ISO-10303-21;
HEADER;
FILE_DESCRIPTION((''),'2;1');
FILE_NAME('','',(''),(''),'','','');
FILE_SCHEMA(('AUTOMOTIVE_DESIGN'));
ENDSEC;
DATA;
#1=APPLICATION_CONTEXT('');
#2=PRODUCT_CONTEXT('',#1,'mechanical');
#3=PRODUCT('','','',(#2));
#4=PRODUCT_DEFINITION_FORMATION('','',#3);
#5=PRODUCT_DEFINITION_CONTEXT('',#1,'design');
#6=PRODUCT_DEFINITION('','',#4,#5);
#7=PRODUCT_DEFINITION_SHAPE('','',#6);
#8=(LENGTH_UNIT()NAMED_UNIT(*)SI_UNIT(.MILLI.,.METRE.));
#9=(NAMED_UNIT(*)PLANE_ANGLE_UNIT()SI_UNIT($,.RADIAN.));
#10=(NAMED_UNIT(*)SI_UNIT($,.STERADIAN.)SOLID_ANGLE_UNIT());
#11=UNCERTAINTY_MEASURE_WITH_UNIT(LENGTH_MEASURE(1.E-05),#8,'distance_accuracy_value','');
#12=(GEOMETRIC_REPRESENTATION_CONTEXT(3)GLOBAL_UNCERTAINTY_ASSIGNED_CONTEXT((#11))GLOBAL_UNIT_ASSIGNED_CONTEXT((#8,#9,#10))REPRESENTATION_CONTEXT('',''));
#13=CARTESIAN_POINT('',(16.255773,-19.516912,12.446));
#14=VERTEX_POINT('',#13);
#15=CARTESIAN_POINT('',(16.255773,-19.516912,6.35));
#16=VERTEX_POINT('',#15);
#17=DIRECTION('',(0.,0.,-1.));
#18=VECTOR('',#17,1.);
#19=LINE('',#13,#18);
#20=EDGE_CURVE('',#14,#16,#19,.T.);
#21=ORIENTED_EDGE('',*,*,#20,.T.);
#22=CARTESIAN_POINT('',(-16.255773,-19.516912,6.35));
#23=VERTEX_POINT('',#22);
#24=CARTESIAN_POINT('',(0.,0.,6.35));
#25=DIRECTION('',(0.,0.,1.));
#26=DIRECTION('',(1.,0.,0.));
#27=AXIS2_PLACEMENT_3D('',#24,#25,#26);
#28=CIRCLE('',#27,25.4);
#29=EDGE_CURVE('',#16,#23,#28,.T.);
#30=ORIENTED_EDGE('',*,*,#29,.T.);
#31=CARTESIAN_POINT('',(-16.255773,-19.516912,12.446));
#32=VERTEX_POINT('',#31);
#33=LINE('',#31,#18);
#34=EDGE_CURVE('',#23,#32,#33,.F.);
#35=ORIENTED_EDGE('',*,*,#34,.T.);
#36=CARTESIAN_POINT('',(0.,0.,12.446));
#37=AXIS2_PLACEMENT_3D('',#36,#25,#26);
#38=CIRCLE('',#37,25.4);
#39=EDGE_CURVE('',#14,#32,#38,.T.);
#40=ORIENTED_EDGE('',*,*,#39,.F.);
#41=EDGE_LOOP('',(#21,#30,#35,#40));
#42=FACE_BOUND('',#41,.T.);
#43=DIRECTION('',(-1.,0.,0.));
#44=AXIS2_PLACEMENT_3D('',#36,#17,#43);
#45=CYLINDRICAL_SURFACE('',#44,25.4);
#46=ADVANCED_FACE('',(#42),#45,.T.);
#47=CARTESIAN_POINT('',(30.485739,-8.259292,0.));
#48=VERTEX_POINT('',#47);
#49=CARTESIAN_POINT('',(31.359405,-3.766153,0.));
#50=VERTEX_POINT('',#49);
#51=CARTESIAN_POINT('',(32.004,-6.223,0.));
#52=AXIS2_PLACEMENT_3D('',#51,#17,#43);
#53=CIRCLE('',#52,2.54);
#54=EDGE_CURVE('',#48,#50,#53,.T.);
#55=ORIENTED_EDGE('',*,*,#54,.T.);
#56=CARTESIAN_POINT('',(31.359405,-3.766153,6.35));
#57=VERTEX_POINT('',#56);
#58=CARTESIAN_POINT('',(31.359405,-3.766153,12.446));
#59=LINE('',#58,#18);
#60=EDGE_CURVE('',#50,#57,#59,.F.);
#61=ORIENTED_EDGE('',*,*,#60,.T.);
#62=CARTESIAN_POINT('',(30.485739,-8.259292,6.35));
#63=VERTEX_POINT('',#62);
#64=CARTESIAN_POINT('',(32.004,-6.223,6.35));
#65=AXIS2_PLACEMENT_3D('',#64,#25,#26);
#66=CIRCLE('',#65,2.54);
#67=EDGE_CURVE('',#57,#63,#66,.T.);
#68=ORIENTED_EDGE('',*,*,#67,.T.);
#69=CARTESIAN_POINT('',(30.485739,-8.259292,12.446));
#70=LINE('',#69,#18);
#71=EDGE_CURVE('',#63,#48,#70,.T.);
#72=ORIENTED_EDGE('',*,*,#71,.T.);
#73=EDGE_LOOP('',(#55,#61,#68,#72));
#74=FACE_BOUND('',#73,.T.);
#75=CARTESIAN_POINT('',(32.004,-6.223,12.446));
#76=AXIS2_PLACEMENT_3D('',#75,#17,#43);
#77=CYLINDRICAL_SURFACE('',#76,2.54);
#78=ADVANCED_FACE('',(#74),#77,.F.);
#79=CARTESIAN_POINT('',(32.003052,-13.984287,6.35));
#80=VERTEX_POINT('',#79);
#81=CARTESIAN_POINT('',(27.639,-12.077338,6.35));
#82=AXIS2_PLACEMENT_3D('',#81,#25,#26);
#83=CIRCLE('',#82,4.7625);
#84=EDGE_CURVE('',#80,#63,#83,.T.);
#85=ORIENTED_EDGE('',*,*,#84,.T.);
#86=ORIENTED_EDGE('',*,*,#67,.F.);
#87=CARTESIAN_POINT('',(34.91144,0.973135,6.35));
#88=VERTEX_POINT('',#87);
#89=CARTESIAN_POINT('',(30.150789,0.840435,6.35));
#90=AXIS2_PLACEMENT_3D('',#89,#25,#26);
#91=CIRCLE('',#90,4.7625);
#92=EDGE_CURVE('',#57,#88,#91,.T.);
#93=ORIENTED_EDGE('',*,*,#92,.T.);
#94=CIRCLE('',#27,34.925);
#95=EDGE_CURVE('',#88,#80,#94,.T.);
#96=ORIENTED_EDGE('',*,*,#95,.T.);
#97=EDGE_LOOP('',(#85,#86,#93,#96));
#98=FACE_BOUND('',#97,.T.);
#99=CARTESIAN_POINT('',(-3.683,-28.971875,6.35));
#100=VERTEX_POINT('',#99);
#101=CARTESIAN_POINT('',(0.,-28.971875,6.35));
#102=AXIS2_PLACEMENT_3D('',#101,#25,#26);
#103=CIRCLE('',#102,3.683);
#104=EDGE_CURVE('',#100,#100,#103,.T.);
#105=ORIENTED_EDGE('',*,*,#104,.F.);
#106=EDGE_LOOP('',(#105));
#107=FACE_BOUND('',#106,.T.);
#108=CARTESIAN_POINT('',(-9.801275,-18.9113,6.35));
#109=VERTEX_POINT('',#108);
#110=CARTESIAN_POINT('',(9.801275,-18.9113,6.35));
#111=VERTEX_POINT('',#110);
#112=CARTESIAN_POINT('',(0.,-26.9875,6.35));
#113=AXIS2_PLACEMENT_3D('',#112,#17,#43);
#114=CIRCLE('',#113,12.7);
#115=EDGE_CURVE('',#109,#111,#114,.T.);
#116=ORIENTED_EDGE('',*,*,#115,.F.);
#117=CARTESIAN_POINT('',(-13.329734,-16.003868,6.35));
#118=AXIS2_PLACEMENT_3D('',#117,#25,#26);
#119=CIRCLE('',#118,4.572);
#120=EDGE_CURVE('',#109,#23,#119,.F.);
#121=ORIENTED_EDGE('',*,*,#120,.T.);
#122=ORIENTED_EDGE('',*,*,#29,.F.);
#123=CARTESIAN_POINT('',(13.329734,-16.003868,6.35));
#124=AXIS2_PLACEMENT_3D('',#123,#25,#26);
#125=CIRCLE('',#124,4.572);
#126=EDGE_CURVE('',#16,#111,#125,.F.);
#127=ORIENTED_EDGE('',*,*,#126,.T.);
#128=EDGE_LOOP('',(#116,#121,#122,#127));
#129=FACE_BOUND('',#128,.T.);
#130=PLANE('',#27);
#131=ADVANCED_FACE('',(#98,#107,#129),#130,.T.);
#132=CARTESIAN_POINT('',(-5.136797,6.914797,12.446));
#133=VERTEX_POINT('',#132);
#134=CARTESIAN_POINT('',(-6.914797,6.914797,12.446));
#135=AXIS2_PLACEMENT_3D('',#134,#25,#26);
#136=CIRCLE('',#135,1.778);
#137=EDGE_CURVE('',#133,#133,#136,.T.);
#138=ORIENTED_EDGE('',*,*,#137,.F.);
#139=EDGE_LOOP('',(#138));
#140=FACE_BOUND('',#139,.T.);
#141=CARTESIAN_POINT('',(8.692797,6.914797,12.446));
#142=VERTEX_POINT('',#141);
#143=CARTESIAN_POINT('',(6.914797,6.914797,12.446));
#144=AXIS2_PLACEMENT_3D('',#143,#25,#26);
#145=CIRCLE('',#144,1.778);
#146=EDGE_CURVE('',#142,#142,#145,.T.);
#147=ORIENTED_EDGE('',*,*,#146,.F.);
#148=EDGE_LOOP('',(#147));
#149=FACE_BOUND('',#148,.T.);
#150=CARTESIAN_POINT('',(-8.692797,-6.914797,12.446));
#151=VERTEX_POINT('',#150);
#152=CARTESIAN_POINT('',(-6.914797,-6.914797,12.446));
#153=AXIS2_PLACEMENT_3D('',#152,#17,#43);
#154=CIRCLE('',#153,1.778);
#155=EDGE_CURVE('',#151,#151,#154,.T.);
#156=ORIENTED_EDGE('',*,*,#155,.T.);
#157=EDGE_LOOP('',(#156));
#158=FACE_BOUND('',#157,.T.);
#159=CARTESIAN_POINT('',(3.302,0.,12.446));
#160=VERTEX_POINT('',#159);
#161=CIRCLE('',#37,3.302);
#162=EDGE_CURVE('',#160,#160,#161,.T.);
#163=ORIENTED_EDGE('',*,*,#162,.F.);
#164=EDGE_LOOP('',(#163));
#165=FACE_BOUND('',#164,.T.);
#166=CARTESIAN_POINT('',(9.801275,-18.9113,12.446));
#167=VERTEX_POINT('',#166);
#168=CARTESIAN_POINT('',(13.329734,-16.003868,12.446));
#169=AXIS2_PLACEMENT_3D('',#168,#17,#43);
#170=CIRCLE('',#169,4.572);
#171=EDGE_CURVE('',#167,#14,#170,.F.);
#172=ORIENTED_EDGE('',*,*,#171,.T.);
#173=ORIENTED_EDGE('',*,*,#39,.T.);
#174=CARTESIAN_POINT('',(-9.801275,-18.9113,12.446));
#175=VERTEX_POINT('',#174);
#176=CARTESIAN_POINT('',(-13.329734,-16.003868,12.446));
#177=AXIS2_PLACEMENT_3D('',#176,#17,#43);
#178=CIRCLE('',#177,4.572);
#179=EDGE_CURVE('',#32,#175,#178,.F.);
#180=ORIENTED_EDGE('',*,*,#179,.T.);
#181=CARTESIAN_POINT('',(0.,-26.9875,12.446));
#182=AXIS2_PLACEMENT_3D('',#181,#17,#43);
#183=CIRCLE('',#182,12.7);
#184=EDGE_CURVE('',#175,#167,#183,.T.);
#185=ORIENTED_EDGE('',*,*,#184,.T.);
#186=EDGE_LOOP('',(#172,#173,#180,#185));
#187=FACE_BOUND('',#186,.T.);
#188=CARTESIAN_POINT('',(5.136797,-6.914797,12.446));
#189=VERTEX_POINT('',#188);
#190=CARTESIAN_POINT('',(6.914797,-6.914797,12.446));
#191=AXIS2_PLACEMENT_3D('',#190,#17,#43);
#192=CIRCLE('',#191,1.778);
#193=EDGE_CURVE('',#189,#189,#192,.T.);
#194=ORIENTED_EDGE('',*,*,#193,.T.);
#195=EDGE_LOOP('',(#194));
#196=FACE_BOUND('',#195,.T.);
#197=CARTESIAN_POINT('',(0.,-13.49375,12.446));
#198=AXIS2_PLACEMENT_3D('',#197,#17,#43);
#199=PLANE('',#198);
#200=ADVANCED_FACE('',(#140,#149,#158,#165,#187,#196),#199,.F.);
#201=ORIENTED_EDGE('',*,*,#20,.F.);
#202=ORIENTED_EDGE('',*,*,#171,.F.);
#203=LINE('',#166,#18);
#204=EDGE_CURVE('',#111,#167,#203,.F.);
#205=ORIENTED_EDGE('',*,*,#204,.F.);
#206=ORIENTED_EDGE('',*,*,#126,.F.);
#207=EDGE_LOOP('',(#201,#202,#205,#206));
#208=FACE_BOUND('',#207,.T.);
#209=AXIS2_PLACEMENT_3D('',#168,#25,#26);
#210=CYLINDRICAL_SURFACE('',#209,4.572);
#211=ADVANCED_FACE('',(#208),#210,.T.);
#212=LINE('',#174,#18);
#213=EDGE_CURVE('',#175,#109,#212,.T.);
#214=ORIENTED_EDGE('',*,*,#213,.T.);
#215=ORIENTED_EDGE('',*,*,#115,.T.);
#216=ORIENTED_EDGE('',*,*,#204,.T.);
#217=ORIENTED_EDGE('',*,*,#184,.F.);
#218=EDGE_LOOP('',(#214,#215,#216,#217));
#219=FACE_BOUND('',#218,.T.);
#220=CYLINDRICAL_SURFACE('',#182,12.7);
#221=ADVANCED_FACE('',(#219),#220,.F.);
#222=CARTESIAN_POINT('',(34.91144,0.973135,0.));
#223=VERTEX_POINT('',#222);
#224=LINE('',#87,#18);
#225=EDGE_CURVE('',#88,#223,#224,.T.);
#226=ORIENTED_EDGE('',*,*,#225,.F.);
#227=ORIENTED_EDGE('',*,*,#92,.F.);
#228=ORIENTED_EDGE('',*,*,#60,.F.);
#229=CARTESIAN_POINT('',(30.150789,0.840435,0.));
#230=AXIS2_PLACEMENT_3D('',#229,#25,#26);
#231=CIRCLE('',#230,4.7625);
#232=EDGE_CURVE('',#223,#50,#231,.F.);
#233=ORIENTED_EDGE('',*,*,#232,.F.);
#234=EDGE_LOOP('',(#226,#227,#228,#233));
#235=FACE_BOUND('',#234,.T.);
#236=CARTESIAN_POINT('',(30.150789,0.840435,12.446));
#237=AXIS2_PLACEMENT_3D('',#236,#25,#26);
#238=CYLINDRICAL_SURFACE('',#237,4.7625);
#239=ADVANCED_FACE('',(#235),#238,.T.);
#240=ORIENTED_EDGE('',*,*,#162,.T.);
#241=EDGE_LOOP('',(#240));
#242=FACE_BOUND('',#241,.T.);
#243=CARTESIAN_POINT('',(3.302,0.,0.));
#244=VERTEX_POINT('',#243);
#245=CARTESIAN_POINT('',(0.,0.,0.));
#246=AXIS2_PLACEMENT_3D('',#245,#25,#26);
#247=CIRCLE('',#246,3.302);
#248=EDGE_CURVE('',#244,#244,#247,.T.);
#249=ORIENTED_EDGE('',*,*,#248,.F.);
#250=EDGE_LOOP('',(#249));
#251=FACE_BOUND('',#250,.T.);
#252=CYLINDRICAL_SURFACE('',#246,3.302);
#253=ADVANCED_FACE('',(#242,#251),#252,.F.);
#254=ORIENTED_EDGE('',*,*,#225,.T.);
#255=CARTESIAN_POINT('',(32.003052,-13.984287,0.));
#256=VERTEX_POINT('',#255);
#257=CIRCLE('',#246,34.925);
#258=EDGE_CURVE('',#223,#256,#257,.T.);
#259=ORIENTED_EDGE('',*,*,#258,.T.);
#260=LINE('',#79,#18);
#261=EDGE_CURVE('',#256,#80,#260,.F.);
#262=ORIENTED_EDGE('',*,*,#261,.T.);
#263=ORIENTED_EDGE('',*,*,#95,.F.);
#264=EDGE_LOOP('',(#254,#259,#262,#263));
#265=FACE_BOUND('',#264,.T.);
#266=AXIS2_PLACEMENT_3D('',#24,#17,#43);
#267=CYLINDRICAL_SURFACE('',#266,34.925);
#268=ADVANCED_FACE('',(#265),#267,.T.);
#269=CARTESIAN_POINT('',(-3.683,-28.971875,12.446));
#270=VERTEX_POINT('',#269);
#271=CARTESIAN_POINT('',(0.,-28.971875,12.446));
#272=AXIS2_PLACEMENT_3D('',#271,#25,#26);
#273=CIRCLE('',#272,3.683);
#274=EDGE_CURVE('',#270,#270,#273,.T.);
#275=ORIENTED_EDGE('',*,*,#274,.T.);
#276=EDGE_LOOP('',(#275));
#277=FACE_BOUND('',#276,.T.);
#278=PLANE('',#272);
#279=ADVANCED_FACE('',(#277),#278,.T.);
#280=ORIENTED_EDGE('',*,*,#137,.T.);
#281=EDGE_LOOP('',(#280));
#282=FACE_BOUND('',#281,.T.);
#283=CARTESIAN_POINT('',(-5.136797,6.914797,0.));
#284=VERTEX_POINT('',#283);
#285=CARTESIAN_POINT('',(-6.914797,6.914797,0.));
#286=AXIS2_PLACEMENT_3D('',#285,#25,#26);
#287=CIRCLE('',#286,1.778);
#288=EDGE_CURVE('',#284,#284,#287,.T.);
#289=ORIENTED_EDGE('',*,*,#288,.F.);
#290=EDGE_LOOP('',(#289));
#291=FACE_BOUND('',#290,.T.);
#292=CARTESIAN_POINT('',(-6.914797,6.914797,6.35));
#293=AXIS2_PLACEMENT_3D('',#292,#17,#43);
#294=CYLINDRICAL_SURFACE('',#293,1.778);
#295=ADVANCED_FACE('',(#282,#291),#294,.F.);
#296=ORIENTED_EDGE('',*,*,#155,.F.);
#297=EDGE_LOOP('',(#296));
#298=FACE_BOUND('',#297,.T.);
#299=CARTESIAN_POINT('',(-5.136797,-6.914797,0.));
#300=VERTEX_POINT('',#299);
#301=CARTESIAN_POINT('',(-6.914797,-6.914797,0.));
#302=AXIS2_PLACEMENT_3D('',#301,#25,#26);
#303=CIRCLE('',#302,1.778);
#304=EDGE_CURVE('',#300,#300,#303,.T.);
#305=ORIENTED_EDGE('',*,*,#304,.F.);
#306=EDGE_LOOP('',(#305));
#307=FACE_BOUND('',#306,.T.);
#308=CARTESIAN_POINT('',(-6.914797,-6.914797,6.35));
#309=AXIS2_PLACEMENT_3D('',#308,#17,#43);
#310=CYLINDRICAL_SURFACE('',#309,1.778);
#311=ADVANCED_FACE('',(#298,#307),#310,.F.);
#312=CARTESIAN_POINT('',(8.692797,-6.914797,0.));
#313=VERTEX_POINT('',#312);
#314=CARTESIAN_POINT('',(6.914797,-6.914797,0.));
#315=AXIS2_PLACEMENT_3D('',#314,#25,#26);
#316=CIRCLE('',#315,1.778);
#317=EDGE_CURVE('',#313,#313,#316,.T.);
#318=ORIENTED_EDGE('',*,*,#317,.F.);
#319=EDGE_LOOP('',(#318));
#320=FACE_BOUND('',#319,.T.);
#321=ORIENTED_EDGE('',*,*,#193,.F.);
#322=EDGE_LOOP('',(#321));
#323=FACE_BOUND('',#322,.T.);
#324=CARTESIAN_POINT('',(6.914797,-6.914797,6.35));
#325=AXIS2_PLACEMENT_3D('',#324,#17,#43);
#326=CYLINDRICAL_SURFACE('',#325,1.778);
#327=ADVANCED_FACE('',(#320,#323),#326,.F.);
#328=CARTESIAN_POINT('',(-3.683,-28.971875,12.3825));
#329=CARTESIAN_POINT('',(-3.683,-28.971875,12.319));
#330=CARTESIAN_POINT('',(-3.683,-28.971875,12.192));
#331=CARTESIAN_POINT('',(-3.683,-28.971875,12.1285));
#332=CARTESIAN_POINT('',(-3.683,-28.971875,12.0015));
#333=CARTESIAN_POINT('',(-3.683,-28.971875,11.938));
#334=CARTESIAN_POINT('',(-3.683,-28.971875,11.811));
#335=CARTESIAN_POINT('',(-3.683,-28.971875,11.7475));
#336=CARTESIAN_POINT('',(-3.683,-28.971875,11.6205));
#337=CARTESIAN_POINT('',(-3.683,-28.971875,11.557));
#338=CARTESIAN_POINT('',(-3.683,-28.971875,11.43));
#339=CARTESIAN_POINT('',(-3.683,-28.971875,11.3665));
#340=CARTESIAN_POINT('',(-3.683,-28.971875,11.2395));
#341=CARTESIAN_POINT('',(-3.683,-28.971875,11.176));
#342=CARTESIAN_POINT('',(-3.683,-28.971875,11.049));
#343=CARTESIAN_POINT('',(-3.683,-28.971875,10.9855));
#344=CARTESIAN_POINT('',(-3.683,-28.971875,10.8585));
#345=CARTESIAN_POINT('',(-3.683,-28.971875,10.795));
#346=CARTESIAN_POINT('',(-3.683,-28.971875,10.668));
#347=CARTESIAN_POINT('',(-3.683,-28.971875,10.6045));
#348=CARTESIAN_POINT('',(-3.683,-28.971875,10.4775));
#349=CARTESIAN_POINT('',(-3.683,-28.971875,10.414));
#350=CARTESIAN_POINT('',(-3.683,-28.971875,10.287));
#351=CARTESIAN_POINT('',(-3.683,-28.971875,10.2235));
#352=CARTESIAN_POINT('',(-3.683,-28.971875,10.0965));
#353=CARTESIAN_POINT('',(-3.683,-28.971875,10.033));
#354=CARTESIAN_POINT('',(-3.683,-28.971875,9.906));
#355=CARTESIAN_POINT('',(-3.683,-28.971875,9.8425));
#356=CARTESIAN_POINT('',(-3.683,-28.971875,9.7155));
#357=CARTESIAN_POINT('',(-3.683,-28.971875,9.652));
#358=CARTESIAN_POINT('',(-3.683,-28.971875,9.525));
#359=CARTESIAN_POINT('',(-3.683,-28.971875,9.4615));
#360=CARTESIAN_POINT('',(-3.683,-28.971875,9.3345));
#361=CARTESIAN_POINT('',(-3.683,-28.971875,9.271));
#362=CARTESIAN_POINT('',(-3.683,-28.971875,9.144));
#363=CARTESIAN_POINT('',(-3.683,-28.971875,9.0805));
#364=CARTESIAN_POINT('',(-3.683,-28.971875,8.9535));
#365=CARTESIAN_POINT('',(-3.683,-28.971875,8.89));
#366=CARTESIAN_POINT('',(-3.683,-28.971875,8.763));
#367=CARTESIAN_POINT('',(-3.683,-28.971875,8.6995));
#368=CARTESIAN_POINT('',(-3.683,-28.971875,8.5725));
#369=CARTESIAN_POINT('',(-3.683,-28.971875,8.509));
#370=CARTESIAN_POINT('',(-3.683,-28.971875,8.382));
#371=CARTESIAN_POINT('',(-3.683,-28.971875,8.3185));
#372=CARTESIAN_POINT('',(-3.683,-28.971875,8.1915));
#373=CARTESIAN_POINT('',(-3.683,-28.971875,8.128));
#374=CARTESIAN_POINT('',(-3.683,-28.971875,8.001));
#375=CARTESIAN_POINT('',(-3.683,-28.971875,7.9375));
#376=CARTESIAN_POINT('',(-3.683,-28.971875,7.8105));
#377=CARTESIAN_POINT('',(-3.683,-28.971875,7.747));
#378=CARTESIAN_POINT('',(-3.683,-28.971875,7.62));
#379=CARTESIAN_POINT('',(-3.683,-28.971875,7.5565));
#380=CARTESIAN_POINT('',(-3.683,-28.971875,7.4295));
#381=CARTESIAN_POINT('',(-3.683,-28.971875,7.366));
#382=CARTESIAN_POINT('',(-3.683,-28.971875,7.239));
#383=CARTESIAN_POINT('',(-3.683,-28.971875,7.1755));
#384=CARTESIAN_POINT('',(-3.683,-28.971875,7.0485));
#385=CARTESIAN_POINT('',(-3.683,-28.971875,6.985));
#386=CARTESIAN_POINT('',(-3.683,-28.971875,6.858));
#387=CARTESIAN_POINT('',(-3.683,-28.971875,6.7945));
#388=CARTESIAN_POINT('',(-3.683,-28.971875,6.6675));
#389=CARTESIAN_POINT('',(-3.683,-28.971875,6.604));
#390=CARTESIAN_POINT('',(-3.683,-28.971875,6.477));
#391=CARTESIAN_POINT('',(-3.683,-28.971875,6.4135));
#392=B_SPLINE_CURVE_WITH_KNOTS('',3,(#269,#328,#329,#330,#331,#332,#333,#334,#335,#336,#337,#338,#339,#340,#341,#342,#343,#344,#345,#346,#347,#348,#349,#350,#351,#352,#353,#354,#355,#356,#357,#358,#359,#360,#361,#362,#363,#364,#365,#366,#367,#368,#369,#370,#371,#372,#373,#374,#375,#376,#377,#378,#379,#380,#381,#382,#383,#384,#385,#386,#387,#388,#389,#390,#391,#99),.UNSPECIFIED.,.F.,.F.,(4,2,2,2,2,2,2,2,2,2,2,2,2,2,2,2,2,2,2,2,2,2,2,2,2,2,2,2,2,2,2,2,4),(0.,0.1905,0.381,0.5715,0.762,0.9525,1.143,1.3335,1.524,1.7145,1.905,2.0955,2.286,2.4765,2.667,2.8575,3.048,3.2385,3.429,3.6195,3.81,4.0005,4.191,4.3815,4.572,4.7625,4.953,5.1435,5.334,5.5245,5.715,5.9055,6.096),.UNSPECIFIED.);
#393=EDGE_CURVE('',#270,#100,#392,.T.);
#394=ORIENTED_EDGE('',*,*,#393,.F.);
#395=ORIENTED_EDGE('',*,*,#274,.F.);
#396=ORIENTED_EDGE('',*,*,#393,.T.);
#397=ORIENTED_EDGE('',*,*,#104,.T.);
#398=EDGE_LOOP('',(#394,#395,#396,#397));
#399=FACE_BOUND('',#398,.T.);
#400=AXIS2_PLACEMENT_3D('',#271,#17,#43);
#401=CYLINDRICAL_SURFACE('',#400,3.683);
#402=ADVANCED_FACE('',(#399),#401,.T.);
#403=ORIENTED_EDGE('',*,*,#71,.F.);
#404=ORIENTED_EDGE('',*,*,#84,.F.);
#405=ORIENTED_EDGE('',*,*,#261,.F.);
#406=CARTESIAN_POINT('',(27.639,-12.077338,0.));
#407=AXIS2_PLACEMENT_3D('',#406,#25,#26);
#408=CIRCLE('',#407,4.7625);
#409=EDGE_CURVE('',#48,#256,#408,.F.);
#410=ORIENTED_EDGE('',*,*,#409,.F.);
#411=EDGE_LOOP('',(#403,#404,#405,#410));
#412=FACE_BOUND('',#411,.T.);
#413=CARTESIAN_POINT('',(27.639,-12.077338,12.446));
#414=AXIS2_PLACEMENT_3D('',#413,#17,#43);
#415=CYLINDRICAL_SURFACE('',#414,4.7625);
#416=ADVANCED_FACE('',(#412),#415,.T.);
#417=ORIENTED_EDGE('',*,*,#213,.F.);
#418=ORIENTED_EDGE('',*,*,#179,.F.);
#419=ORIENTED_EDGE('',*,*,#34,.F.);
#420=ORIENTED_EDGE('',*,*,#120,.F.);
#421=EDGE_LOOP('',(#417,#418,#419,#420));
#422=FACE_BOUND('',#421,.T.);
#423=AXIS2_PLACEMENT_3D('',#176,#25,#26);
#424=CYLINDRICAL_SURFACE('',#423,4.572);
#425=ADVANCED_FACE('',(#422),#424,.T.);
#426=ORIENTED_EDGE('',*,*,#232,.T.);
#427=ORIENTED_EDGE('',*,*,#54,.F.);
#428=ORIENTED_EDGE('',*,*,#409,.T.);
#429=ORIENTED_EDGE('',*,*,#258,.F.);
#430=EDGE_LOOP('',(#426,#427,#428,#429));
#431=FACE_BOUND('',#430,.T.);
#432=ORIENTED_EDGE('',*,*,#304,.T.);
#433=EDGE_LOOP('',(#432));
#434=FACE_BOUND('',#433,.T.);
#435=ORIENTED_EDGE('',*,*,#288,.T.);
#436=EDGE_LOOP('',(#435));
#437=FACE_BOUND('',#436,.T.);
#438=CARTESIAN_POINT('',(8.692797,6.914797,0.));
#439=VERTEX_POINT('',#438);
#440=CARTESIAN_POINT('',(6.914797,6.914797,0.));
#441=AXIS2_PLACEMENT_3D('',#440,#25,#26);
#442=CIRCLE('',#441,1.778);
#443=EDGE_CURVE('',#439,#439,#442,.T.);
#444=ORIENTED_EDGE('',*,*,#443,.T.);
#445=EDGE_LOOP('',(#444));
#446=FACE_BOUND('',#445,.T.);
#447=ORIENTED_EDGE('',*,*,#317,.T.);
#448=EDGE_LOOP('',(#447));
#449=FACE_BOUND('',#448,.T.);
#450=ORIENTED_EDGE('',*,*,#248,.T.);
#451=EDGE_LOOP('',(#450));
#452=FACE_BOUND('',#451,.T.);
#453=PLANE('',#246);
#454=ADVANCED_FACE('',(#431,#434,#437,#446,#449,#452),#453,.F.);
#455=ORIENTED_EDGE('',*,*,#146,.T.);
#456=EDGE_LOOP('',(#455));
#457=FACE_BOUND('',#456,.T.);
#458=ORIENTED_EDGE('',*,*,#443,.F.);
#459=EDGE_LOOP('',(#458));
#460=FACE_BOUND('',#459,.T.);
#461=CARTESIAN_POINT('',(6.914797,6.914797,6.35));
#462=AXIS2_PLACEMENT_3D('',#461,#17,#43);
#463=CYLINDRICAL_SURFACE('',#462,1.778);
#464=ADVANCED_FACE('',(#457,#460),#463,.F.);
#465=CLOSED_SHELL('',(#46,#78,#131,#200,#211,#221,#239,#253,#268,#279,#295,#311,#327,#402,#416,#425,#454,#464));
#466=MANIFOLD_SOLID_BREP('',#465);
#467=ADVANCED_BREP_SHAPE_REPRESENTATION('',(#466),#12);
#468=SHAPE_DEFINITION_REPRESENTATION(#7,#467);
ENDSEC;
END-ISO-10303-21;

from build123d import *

# Parameters (mm, degrees)
SKETCH1_R           = 34.925
SKETCH1_R_2         = 1.778
BOSS_EXTRUDE1_DEPTH = 6.35
SKETCH2_R           = 3.683
SKETCH2_R_2         = 1.778
BOSS_EXTRUDE2_DEPTH = 6.096
SKETCH3_R           = 3.302
CUT_EXTRUDE1_DEPTH  = 51.935392077
FILLET1_R           = 4.572
SKETCH4_R           = 1.778
CUT_EXTRUDE2_DEPTH  = 51.935392238
SKETCH5_R           = 2.54
CUT_EXTRUDE3_DEPTH  = 51.935392238
FILLET2_R           = 4.7625


with BuildPart() as part:
    # Sketch1 → Boss-Extrude1 (new body)
    with BuildSketch(Plane.XY):
        Circle(SKETCH1_R)
        with Locations((-6.914797213, 6.914797213)):
            Circle(SKETCH1_R_2, mode=Mode.SUBTRACT)
        with Locations((6.914797213, 6.914797213)):
            Circle(SKETCH1_R_2, mode=Mode.SUBTRACT)
        with Locations((6.914797213, -6.914797213)):
            Circle(SKETCH1_R_2, mode=Mode.SUBTRACT)
        with Locations((-6.914797213, -6.914797213)):
            Circle(SKETCH1_R_2, mode=Mode.SUBTRACT)
    extrude(amount=BOSS_EXTRUDE1_DEPTH)

    # Sketch2 → Boss-Extrude2 (add)
    # profile 1 of 2: a face of its own
    with BuildSketch(Plane.XY.offset(6.35)):
        with Locations(Location((0, -28.971875, 0), (0, 0, 180))):
            Circle(SKETCH2_R)
    # profile 2 of 2: a face of its own
    with BuildSketch(Plane.XY.offset(6.35)):
        with BuildLine():
            ThreePointArc((11.864980378, -22.458455882), (0, 25.4), (-11.864980378, -22.458455882))
            ThreePointArc((-11.864980378, -22.458455882), (0, -14.2875), (11.864980378, -22.458455882))
        make_face()
        with Locations((-6.914797213, 6.914797213)):
            Circle(SKETCH2_R_2, mode=Mode.SUBTRACT)
        with Locations((6.914797213, 6.914797213)):
            Circle(SKETCH2_R_2, mode=Mode.SUBTRACT)
    extrude(amount=BOSS_EXTRUDE2_DEPTH)

    # Sketch3 → Cut-Extrude1 (cut, through all)
    with BuildSketch(Plane.XY.offset(12.446)):
        Circle(SKETCH3_R)
    extrude(amount=-CUT_EXTRUDE1_DEPTH, mode=Mode.SUBTRACT)

    # Fillet1
    fillet1_edges = [part.edges().sort_by_distance(p)[0] for p in [
        (-11.864980378, -22.458455882, 9.398),
        (11.864980378, -22.458455882, 9.398),
    ]]
    fillet(fillet1_edges, radius=FILLET1_R)

    # Sketch4 → Cut-Extrude2 (cut, through all)
    with BuildSketch(Plane(origin=(0, 0, 0), x_dir=(-1, 0, 0), z_dir=(0, 0, -1))):
        with Locations((-6.914797213, -6.914797213)):
            Circle(SKETCH4_R)
        with Locations((6.914797213, -6.914797213)):
            Circle(SKETCH4_R)
    extrude(amount=-CUT_EXTRUDE2_DEPTH, mode=Mode.SUBTRACT)

    # Sketch5 → Cut-Extrude3 (cut, through all)
    with BuildSketch(Plane(origin=(0, 0, 0), x_dir=(-1, 0, 0), z_dir=(0, 0, -1))):
        with Locations((-32.004, -6.223)):
            Circle(SKETCH5_R)
    extrude(amount=-CUT_EXTRUDE3_DEPTH, mode=Mode.SUBTRACT)

    # Fillet2
    fillet2_edges = [part.edges().sort_by_distance(p)[0] for p in [
        (34.470468913, -5.616261917, 3.175),
        (34.06339832, -7.709767823, 3.175),
    ]]
    fillet(fillet2_edges, radius=FILLET2_R)


solid = part.part
